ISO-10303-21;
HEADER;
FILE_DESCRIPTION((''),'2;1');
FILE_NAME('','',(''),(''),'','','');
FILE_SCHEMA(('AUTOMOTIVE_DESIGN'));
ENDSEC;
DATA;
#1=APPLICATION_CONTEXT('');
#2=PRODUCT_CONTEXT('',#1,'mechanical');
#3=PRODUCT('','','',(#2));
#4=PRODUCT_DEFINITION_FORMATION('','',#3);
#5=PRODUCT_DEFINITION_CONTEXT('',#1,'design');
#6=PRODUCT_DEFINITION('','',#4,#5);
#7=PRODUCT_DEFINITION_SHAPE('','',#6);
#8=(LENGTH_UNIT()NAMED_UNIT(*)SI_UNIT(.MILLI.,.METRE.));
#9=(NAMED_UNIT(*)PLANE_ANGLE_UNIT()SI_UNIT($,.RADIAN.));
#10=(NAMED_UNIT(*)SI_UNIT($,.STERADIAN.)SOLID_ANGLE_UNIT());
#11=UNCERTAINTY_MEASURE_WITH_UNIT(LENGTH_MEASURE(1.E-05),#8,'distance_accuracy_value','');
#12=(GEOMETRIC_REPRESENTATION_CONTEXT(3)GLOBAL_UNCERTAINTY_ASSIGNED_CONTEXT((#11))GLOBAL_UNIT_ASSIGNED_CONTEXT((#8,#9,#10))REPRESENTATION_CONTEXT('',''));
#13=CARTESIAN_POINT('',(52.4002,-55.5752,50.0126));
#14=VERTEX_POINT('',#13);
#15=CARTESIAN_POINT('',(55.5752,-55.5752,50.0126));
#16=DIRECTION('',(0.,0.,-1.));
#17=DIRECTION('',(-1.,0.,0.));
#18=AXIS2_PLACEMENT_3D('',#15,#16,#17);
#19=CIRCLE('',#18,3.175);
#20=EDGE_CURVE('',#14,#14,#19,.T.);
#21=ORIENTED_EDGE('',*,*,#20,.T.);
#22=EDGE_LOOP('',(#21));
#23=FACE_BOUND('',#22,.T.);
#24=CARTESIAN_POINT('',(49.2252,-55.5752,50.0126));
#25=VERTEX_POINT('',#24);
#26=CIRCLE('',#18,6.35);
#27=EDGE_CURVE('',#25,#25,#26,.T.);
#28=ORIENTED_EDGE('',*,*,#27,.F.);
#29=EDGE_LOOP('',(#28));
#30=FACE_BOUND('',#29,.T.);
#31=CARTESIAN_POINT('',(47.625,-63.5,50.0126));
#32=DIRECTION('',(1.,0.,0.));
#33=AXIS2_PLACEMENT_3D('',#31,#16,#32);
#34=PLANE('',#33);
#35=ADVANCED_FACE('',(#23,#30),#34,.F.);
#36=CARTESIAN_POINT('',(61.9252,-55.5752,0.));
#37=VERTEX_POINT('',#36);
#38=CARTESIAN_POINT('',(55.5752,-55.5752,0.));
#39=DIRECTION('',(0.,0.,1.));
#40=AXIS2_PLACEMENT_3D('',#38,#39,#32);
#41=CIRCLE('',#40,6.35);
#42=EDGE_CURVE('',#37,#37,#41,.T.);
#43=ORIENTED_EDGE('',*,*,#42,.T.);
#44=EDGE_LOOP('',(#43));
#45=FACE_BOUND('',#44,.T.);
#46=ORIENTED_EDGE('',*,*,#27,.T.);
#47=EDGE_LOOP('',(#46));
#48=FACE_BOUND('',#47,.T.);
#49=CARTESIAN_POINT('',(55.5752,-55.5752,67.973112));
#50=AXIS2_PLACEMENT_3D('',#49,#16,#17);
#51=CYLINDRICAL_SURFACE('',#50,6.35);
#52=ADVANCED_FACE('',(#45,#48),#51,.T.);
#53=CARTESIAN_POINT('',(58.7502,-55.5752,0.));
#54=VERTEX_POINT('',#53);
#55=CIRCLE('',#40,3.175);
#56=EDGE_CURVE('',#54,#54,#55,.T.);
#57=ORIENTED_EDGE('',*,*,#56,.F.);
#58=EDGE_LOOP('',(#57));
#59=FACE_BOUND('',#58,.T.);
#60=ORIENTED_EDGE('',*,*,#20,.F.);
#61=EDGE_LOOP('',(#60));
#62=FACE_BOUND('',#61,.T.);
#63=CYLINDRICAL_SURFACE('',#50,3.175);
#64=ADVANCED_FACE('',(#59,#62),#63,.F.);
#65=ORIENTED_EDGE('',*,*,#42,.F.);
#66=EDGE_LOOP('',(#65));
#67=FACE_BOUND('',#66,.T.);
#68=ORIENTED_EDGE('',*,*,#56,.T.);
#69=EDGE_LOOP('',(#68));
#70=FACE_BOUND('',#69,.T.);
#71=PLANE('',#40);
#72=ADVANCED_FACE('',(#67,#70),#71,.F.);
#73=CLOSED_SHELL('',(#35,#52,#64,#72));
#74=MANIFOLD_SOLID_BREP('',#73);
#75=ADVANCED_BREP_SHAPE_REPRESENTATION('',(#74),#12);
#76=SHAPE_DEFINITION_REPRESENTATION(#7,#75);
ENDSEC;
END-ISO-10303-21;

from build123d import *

# Parameters (mm, degrees)
SKETCH1_R           = 6.35
SKETCH1_R_2         = 3.175
BOSS_EXTRUDE1_DEPTH = 50.0126


with BuildPart() as part:
    # Sketch1 → Boss-Extrude1 (new body)
    with BuildSketch(Plane.XY):
        with Locations(Location((55.5752, -55.5752, 0), (0, 0, 180))):
            Circle(SKETCH1_R)
        with Locations(Location((55.5752, -55.5752, 0), (0, 0, 180))):
            Circle(SKETCH1_R_2, mode=Mode.SUBTRACT)
    extrude(amount=BOSS_EXTRUDE1_DEPTH)


solid = part.part
